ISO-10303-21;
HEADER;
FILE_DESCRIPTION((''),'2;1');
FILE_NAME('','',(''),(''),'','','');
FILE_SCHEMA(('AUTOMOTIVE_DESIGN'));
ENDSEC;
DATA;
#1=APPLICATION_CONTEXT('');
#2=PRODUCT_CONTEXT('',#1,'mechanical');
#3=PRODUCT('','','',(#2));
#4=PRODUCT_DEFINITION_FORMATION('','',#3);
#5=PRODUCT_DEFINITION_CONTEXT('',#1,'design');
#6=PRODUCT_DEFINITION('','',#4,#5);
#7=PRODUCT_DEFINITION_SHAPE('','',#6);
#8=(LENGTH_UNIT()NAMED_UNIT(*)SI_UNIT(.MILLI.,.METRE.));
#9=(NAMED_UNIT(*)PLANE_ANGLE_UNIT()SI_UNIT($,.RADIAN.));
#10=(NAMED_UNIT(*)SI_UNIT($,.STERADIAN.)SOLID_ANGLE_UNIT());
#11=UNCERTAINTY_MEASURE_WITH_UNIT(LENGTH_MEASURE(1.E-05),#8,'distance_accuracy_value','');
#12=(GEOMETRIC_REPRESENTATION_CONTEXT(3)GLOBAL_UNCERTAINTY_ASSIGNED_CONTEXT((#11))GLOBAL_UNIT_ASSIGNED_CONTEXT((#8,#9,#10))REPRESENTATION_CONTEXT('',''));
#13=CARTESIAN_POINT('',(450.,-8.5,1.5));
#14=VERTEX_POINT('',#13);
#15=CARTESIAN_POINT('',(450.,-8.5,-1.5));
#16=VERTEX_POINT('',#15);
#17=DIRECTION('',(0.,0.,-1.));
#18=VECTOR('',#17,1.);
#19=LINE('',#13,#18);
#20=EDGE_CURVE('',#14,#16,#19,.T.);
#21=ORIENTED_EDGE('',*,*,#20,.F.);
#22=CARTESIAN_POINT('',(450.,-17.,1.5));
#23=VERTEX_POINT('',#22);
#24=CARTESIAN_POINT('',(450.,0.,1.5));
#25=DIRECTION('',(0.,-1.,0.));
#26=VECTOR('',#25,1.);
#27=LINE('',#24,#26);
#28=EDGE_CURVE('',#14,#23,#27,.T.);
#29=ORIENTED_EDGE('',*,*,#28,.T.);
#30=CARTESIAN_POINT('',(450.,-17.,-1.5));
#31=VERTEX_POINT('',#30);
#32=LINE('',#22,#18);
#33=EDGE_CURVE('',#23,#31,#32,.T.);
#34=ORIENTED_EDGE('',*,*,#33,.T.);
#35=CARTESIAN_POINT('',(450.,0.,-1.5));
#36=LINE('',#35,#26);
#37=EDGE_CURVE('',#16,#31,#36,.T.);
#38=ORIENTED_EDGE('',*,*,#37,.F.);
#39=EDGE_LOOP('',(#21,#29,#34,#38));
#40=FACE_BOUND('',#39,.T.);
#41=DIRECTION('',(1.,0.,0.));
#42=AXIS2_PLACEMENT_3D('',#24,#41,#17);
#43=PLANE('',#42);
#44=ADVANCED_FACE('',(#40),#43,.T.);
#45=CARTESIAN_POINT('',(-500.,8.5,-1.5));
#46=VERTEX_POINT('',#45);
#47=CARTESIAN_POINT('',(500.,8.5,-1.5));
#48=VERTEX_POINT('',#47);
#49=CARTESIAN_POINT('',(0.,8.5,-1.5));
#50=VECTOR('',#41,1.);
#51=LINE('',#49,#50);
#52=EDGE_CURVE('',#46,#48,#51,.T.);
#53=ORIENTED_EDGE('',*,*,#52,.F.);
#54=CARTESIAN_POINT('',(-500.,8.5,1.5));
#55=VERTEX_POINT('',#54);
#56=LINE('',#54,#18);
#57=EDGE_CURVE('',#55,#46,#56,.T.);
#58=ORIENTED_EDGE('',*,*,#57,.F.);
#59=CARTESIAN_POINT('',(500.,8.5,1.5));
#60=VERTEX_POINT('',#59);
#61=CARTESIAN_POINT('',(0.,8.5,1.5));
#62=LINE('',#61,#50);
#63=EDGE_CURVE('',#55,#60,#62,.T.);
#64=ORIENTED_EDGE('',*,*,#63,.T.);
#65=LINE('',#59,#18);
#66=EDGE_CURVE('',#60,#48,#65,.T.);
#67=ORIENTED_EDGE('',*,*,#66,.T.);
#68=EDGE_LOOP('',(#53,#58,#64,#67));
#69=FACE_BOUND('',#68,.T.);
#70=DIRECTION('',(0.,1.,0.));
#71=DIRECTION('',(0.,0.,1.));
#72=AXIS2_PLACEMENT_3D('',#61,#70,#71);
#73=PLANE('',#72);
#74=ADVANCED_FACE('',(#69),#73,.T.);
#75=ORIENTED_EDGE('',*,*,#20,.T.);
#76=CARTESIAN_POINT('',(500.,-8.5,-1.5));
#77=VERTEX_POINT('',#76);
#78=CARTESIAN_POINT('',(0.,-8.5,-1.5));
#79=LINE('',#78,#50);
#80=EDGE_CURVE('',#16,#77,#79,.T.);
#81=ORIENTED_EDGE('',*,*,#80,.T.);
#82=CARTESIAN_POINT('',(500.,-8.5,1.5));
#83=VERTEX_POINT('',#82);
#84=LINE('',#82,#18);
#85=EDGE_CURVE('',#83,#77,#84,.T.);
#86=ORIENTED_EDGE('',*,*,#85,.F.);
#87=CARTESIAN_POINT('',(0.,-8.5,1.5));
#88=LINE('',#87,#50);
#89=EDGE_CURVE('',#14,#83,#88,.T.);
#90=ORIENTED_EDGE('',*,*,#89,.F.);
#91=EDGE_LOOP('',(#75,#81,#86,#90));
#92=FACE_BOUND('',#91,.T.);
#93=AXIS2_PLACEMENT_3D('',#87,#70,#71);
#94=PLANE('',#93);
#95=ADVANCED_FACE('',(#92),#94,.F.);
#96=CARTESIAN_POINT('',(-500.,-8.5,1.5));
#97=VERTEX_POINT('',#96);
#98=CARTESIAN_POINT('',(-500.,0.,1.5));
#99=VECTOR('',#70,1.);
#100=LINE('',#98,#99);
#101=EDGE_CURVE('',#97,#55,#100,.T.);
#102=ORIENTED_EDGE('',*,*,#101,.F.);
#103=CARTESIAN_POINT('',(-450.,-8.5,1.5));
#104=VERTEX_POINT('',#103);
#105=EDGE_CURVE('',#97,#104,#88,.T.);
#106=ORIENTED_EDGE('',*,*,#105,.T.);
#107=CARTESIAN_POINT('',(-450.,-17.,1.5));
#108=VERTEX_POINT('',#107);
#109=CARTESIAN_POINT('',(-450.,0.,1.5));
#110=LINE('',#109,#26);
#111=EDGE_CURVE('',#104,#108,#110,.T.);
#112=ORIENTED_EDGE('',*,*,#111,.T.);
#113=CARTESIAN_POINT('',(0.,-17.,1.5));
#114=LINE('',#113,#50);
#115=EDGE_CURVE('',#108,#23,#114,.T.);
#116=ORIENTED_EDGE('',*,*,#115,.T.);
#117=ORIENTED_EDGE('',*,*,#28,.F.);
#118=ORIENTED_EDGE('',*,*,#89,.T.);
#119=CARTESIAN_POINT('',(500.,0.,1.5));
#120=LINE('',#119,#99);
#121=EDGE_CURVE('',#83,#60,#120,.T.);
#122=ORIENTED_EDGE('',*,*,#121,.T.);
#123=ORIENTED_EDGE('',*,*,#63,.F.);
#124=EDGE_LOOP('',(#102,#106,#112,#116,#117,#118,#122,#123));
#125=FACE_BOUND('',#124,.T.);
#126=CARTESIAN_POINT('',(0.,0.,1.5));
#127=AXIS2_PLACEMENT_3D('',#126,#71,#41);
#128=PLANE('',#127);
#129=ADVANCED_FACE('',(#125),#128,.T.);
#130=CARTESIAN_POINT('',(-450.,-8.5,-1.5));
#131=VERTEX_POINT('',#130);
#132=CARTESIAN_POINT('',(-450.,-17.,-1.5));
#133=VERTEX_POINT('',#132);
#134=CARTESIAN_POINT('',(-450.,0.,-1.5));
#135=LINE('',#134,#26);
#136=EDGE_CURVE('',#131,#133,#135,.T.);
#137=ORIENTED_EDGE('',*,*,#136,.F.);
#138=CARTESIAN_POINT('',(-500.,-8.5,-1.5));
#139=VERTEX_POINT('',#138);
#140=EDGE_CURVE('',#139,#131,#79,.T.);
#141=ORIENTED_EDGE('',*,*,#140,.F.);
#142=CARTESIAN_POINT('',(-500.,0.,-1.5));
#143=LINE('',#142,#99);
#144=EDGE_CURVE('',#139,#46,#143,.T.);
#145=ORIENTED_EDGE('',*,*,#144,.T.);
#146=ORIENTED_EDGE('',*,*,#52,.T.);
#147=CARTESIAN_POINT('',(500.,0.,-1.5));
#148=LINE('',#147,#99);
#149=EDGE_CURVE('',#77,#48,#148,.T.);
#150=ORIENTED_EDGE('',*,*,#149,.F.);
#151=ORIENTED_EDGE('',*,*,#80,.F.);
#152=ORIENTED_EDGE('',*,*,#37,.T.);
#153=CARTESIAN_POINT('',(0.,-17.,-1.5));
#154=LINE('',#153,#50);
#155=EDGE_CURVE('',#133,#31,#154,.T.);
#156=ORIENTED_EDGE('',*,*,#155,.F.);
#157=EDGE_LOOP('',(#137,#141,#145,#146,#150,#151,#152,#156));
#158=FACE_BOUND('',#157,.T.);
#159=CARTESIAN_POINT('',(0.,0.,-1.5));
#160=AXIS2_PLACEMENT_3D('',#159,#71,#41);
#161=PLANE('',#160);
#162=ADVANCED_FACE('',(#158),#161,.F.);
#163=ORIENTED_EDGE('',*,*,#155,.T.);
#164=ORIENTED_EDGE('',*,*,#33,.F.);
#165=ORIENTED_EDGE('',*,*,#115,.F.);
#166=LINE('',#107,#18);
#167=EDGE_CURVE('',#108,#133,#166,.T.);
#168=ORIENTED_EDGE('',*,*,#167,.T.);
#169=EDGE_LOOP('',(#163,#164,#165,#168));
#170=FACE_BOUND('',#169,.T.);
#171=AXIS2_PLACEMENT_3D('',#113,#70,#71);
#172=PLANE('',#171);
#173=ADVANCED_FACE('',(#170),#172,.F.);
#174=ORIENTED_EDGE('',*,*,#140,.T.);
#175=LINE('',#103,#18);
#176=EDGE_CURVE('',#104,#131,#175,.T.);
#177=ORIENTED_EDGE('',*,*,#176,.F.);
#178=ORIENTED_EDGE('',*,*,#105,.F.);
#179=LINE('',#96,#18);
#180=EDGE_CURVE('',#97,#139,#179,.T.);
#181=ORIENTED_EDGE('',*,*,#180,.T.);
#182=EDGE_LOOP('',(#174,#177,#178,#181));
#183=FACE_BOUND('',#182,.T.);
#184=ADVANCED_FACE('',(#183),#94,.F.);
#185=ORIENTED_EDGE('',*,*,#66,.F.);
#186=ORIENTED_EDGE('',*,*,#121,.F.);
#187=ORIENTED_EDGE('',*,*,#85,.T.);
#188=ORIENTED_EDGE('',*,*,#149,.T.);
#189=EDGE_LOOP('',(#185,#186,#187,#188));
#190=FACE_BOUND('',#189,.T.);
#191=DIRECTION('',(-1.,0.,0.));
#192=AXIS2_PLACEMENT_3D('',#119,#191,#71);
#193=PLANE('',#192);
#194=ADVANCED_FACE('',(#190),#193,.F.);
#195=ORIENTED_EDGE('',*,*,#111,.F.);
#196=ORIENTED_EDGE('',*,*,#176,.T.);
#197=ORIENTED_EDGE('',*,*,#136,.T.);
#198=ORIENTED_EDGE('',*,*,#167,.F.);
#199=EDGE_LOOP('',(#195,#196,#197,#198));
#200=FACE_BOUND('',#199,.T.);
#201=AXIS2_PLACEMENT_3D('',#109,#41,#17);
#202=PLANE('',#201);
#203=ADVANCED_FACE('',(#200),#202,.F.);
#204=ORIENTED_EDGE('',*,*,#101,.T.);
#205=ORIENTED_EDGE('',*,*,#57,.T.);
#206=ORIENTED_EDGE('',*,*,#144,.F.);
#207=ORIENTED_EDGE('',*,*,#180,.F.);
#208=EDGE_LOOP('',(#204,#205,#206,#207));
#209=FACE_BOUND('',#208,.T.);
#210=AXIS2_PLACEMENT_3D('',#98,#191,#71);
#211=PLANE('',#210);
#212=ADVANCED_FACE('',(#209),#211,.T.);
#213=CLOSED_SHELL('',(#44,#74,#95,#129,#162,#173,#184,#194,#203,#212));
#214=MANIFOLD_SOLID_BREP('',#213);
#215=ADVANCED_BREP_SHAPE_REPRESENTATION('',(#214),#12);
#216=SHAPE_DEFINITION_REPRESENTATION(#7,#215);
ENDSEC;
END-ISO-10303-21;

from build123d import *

# Parameters (mm, degrees)
SKETCH2_W           = 900
SKETCH2_H           = 8.5
SKETCH2_W_2         = 1000
SKETCH2_H_2         = 17
BOSS_EXTRUDE1_DEPTH = 1.5


with BuildPart() as part:
    # Sketch2 → Boss-Extrude1 (new, symmetric)
    with BuildSketch(Plane.XY):
        with Locations((0, -12.75)):
            Rectangle(SKETCH2_W, SKETCH2_H)
        Rectangle(SKETCH2_W_2, SKETCH2_H_2)
    extrude(amount=BOSS_EXTRUDE1_DEPTH, both=True)


solid = part.part
